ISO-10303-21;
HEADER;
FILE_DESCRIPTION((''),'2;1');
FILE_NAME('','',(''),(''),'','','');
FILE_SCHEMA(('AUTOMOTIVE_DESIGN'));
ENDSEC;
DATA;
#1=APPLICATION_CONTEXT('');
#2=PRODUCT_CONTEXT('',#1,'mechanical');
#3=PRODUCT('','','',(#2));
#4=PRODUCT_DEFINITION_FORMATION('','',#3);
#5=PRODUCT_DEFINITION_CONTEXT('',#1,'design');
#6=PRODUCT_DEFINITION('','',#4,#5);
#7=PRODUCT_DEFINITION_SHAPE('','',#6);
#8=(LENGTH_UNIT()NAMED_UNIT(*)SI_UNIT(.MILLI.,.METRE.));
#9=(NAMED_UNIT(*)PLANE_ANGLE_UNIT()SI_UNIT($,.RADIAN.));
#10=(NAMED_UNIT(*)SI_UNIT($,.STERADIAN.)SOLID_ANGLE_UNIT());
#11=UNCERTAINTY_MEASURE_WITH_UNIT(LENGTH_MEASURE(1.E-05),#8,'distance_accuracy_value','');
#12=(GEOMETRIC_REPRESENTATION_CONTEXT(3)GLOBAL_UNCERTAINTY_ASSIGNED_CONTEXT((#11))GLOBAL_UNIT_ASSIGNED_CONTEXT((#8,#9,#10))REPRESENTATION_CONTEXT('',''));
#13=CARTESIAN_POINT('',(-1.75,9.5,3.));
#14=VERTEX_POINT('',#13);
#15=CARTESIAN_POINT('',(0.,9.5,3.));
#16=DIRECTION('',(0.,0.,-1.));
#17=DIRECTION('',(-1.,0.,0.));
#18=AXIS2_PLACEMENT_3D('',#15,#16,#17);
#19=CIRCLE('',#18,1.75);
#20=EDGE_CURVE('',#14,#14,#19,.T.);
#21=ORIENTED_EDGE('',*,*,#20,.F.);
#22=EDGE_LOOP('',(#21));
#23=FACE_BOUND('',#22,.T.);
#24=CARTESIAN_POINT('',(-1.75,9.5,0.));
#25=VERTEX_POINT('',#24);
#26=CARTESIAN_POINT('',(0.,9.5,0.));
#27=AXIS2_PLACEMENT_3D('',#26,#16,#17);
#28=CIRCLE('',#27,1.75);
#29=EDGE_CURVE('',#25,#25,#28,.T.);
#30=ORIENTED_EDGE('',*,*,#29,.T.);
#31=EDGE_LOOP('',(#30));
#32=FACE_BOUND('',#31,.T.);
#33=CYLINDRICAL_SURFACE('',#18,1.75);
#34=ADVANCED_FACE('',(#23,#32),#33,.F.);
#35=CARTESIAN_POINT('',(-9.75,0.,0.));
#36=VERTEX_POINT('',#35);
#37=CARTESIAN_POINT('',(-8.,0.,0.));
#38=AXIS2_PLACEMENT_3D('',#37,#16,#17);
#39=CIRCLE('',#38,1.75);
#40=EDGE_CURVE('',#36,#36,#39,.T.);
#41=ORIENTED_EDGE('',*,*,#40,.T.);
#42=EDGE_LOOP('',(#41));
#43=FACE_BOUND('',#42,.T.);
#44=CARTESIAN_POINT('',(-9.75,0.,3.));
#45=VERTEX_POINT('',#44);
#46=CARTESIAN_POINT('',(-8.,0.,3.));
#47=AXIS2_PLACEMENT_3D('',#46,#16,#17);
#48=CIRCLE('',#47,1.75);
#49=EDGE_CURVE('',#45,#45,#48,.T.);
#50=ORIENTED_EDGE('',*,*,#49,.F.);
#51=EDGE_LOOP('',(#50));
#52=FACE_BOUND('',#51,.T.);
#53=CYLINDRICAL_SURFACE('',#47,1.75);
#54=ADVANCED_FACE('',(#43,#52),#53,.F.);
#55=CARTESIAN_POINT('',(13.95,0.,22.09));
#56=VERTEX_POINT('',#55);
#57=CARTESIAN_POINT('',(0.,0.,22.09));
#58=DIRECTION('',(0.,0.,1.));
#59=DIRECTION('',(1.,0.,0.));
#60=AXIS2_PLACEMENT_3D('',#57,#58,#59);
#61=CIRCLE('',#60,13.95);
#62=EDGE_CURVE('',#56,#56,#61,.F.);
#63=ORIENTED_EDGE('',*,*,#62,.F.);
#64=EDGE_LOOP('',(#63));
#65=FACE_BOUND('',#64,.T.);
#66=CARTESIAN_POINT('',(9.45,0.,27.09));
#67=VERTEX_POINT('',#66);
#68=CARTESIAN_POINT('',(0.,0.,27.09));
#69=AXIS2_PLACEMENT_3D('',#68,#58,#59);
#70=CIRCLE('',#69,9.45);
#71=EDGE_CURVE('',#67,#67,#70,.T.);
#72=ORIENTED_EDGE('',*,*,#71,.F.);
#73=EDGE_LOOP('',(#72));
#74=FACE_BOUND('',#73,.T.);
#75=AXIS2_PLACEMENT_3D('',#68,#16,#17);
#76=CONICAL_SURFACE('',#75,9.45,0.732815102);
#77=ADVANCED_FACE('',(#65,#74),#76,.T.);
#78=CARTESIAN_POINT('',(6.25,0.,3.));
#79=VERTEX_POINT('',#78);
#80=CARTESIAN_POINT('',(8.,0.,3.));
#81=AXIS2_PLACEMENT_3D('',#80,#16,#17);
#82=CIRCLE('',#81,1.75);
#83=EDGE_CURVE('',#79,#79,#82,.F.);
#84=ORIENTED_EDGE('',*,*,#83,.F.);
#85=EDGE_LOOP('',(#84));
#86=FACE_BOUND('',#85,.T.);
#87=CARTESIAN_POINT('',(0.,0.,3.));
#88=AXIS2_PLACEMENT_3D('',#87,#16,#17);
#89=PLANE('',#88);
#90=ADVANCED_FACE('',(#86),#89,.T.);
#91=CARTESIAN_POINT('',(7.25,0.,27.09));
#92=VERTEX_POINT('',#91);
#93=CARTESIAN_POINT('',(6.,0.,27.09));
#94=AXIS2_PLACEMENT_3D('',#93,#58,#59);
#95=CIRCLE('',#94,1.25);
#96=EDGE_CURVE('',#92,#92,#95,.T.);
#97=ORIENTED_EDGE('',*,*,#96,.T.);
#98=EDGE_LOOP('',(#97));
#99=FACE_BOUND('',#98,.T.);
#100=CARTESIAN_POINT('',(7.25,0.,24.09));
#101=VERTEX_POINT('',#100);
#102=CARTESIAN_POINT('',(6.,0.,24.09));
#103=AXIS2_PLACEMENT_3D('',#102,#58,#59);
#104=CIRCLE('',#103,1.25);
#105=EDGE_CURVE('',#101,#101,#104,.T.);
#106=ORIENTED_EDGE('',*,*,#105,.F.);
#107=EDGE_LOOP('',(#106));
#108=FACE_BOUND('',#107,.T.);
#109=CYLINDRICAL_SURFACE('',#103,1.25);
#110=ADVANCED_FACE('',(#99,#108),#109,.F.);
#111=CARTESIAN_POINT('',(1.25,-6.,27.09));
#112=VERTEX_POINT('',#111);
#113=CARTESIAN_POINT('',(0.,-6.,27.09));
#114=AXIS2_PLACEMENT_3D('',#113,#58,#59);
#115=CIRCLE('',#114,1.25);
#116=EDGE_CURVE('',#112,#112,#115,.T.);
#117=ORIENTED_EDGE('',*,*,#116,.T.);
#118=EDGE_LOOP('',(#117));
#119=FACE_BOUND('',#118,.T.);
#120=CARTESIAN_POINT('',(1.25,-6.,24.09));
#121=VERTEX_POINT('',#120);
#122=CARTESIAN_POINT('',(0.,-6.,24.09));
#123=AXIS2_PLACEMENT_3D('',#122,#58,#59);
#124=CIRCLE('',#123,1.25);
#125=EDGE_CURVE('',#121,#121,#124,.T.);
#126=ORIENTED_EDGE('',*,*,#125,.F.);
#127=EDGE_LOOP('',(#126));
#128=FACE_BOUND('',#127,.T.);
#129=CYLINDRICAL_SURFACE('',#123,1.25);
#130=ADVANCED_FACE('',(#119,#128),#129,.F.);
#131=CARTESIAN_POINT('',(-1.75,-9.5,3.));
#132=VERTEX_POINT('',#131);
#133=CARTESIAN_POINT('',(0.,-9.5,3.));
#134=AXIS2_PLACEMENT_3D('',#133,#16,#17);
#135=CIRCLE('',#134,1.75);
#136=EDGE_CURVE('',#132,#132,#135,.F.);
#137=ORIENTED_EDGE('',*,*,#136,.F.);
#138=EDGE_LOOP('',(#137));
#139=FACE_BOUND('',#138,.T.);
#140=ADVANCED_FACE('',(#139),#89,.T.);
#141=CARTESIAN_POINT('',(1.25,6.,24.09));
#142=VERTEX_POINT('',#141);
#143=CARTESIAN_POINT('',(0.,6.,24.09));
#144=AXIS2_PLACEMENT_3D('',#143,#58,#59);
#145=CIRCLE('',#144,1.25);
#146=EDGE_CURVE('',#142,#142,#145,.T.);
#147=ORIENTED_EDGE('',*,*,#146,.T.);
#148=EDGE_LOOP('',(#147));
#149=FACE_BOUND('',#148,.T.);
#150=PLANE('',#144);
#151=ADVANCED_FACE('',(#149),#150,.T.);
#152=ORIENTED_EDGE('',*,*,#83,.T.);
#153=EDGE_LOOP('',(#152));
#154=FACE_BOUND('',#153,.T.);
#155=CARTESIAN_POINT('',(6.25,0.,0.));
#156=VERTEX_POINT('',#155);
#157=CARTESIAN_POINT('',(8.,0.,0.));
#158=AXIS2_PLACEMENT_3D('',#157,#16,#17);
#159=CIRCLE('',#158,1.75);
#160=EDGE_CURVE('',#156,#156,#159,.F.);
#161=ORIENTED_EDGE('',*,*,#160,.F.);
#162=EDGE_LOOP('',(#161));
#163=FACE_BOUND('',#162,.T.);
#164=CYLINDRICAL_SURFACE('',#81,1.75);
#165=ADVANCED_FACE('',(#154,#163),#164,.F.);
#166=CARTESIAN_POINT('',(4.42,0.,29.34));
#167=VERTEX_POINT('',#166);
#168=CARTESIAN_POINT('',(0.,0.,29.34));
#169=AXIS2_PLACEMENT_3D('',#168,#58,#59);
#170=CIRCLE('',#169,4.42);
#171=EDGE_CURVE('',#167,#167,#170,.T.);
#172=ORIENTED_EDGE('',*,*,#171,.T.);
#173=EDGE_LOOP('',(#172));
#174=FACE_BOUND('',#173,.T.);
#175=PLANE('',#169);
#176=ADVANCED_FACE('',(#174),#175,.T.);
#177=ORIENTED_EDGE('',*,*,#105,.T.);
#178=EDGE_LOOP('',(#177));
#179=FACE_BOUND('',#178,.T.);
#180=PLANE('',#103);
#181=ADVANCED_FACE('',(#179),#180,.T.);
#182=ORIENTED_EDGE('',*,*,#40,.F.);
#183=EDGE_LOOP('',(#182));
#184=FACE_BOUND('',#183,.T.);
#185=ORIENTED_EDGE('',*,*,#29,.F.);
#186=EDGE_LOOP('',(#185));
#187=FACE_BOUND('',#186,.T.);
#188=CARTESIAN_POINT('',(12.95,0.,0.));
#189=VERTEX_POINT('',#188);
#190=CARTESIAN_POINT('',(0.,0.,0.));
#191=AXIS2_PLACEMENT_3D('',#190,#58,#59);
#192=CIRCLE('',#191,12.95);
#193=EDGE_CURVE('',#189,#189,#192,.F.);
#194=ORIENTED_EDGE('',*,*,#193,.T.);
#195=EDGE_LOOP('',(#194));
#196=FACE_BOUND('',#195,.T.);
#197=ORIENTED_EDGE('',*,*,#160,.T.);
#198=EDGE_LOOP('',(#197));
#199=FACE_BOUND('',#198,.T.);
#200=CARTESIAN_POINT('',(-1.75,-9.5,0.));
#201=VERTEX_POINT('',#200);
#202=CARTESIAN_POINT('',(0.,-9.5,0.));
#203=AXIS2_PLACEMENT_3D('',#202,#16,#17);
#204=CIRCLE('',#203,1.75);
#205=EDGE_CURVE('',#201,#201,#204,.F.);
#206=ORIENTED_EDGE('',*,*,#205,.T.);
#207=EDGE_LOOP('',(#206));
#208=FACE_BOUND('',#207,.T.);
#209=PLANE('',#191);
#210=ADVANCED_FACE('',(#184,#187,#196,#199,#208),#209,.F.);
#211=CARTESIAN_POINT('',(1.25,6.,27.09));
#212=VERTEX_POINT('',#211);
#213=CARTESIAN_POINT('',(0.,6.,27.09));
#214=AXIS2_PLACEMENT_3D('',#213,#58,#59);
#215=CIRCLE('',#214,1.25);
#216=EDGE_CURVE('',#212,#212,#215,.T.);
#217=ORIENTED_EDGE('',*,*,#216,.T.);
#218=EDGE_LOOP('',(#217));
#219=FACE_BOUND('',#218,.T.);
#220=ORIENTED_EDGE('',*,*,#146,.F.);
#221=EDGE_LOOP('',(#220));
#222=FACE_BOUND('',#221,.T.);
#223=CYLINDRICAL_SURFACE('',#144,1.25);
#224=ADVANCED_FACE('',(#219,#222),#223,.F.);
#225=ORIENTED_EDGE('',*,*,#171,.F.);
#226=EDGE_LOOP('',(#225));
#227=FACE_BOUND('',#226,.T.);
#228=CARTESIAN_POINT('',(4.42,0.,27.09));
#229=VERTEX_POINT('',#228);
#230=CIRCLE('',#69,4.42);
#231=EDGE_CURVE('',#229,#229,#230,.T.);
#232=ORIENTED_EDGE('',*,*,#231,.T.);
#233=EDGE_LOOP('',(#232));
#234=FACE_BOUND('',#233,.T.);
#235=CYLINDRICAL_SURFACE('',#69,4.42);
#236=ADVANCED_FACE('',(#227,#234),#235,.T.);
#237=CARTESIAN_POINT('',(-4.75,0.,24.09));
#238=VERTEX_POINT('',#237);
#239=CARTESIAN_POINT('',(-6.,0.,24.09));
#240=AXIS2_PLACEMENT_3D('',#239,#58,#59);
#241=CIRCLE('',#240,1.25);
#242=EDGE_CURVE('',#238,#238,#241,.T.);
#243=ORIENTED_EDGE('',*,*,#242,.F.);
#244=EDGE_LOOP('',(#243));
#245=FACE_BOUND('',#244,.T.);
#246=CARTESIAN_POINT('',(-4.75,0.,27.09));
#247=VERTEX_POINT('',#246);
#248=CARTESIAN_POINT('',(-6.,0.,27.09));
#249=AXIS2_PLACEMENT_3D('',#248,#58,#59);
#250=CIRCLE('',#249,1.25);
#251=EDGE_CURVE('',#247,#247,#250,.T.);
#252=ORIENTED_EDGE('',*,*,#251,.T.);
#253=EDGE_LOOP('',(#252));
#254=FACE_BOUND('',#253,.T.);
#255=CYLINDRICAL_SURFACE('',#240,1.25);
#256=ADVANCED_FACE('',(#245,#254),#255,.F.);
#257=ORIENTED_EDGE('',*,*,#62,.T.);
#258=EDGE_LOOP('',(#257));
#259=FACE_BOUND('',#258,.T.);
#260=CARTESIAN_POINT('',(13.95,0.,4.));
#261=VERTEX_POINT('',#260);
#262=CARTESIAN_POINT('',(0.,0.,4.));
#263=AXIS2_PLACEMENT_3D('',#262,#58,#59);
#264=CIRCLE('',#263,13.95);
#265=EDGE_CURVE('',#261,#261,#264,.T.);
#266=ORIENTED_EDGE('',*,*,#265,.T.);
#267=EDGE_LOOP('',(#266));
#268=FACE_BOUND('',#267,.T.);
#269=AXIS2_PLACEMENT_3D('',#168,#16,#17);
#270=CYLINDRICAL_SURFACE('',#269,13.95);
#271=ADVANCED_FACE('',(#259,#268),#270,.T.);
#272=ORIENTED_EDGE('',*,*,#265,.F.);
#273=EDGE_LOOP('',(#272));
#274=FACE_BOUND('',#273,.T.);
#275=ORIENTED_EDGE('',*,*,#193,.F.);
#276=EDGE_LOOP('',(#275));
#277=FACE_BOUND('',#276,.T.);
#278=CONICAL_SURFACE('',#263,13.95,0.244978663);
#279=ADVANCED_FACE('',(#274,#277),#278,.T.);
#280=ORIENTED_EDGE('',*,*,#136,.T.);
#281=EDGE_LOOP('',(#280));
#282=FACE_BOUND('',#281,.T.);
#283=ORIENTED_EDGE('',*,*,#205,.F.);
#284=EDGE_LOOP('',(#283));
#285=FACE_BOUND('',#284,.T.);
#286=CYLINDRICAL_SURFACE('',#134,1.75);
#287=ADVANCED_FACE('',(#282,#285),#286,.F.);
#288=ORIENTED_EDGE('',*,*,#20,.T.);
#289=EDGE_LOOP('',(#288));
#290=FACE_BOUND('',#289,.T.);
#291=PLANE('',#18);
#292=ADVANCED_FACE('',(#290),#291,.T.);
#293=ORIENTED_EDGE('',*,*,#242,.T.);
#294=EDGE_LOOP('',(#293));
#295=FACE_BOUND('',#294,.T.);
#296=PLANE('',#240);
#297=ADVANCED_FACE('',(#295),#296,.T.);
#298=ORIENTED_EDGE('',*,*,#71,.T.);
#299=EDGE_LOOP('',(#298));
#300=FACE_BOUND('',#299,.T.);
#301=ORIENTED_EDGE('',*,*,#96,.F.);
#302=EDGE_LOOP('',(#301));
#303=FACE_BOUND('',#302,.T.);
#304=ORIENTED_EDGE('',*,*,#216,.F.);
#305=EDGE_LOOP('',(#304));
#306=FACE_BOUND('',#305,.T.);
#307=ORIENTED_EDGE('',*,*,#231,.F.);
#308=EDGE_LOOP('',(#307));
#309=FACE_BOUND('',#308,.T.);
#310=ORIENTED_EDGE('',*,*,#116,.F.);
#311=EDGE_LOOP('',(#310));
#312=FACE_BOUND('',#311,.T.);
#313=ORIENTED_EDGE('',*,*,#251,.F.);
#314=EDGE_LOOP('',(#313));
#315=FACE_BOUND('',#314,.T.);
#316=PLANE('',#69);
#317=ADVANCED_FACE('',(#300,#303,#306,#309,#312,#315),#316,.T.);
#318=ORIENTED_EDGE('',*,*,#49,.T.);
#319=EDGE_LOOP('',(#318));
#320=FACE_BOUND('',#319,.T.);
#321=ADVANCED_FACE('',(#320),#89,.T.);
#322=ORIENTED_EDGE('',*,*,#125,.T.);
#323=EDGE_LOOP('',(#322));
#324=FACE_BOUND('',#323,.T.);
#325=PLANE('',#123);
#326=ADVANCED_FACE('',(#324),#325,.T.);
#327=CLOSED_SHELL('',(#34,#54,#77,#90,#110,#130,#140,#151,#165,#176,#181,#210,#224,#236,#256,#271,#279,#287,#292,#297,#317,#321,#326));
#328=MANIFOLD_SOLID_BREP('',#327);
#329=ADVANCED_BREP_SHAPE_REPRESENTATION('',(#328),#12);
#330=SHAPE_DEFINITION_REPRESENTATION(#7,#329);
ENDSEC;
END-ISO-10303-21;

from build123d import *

# Parameters (mm, degrees)
SKETCH1_R           = 13.95
BOSS_EXTRUDE1_DEPTH = 29.34
SKETCH2_R           = 13.95
SKETCH2_R_2         = 4.42
CUT_EXTRUDE1_DEPTH  = 2.25
CHAMFER1_SIZE       = 5
CHAMFER1_SIZE2      = 4.5
CHAMFER2_SIZE       = 1
CHAMFER2_SIZE2      = 4
SKETCH3_R           = 1.75
CUT_EXTRUDE2_DEPTH  = 3
SKETCH4_R           = 1.25
CUT_EXTRUDE3_DEPTH  = 3


with BuildPart() as part:
    # Sketch1 → Boss-Extrude1 (new body)
    with BuildSketch(Plane.XY):
        Circle(SKETCH1_R)
    extrude(amount=BOSS_EXTRUDE1_DEPTH)

    # Sketch2 → Cut-Extrude1 (cut)
    with BuildSketch(Plane.XY.offset(29.34)):
        Circle(SKETCH2_R)
        Circle(SKETCH2_R_2, mode=Mode.SUBTRACT)
    extrude(amount=-CUT_EXTRUDE1_DEPTH, mode=Mode.SUBTRACT)

    # Chamfer1
    chamfer1_edges = [part.edges().sort_by_distance(p)[0] for p in [
        (-13.95, 0, 27.09),
    ]]
    chamfer1_side = [part.faces().sort_by_distance(p)[0] for p in [
        (-13.95, 0, 13.545),
    ]]
    chamfer(chamfer1_edges, length=CHAMFER1_SIZE, length2=CHAMFER1_SIZE2, reference=chamfer1_side[0])

    # Chamfer2
    chamfer2_edges = [part.edges().sort_by_distance(p)[0] for p in [
        (-13.95, 0, 0),
    ]]
    chamfer2_side = [part.faces().sort_by_distance(p)[0] for p in [
        (0, 0, 0),
    ]]
    chamfer(chamfer2_edges, length=CHAMFER2_SIZE, length2=CHAMFER2_SIZE2, reference=chamfer2_side[0])

    # Sketch3 → Cut-Extrude2 (cut)
    with BuildSketch(Plane(origin=(0, 0, 0), x_dir=(-1, 0, 0), z_dir=(0, 0, -1))):
        with Locations((8, 0)):
            Circle(SKETCH3_R)
        with Locations((-8, 0)):
            Circle(SKETCH3_R)
        with Locations((0, -9.5)):
            Circle(SKETCH3_R)
        with Locations((0, 9.5)):
            Circle(SKETCH3_R)
    extrude(amount=-CUT_EXTRUDE2_DEPTH, mode=Mode.SUBTRACT)

    # Sketch4 → Cut-Extrude3 (cut)
    with BuildSketch(Plane.XY.offset(27.09)):
        with Locations((0, 6)):
            Circle(SKETCH4_R)
        with Locations((6, 0)):
            Circle(SKETCH4_R)
        with Locations((0, -6)):
            Circle(SKETCH4_R)
        with Locations((-6, 0)):
            Circle(SKETCH4_R)
    extrude(amount=-CUT_EXTRUDE3_DEPTH, mode=Mode.SUBTRACT)


solid = part.part
